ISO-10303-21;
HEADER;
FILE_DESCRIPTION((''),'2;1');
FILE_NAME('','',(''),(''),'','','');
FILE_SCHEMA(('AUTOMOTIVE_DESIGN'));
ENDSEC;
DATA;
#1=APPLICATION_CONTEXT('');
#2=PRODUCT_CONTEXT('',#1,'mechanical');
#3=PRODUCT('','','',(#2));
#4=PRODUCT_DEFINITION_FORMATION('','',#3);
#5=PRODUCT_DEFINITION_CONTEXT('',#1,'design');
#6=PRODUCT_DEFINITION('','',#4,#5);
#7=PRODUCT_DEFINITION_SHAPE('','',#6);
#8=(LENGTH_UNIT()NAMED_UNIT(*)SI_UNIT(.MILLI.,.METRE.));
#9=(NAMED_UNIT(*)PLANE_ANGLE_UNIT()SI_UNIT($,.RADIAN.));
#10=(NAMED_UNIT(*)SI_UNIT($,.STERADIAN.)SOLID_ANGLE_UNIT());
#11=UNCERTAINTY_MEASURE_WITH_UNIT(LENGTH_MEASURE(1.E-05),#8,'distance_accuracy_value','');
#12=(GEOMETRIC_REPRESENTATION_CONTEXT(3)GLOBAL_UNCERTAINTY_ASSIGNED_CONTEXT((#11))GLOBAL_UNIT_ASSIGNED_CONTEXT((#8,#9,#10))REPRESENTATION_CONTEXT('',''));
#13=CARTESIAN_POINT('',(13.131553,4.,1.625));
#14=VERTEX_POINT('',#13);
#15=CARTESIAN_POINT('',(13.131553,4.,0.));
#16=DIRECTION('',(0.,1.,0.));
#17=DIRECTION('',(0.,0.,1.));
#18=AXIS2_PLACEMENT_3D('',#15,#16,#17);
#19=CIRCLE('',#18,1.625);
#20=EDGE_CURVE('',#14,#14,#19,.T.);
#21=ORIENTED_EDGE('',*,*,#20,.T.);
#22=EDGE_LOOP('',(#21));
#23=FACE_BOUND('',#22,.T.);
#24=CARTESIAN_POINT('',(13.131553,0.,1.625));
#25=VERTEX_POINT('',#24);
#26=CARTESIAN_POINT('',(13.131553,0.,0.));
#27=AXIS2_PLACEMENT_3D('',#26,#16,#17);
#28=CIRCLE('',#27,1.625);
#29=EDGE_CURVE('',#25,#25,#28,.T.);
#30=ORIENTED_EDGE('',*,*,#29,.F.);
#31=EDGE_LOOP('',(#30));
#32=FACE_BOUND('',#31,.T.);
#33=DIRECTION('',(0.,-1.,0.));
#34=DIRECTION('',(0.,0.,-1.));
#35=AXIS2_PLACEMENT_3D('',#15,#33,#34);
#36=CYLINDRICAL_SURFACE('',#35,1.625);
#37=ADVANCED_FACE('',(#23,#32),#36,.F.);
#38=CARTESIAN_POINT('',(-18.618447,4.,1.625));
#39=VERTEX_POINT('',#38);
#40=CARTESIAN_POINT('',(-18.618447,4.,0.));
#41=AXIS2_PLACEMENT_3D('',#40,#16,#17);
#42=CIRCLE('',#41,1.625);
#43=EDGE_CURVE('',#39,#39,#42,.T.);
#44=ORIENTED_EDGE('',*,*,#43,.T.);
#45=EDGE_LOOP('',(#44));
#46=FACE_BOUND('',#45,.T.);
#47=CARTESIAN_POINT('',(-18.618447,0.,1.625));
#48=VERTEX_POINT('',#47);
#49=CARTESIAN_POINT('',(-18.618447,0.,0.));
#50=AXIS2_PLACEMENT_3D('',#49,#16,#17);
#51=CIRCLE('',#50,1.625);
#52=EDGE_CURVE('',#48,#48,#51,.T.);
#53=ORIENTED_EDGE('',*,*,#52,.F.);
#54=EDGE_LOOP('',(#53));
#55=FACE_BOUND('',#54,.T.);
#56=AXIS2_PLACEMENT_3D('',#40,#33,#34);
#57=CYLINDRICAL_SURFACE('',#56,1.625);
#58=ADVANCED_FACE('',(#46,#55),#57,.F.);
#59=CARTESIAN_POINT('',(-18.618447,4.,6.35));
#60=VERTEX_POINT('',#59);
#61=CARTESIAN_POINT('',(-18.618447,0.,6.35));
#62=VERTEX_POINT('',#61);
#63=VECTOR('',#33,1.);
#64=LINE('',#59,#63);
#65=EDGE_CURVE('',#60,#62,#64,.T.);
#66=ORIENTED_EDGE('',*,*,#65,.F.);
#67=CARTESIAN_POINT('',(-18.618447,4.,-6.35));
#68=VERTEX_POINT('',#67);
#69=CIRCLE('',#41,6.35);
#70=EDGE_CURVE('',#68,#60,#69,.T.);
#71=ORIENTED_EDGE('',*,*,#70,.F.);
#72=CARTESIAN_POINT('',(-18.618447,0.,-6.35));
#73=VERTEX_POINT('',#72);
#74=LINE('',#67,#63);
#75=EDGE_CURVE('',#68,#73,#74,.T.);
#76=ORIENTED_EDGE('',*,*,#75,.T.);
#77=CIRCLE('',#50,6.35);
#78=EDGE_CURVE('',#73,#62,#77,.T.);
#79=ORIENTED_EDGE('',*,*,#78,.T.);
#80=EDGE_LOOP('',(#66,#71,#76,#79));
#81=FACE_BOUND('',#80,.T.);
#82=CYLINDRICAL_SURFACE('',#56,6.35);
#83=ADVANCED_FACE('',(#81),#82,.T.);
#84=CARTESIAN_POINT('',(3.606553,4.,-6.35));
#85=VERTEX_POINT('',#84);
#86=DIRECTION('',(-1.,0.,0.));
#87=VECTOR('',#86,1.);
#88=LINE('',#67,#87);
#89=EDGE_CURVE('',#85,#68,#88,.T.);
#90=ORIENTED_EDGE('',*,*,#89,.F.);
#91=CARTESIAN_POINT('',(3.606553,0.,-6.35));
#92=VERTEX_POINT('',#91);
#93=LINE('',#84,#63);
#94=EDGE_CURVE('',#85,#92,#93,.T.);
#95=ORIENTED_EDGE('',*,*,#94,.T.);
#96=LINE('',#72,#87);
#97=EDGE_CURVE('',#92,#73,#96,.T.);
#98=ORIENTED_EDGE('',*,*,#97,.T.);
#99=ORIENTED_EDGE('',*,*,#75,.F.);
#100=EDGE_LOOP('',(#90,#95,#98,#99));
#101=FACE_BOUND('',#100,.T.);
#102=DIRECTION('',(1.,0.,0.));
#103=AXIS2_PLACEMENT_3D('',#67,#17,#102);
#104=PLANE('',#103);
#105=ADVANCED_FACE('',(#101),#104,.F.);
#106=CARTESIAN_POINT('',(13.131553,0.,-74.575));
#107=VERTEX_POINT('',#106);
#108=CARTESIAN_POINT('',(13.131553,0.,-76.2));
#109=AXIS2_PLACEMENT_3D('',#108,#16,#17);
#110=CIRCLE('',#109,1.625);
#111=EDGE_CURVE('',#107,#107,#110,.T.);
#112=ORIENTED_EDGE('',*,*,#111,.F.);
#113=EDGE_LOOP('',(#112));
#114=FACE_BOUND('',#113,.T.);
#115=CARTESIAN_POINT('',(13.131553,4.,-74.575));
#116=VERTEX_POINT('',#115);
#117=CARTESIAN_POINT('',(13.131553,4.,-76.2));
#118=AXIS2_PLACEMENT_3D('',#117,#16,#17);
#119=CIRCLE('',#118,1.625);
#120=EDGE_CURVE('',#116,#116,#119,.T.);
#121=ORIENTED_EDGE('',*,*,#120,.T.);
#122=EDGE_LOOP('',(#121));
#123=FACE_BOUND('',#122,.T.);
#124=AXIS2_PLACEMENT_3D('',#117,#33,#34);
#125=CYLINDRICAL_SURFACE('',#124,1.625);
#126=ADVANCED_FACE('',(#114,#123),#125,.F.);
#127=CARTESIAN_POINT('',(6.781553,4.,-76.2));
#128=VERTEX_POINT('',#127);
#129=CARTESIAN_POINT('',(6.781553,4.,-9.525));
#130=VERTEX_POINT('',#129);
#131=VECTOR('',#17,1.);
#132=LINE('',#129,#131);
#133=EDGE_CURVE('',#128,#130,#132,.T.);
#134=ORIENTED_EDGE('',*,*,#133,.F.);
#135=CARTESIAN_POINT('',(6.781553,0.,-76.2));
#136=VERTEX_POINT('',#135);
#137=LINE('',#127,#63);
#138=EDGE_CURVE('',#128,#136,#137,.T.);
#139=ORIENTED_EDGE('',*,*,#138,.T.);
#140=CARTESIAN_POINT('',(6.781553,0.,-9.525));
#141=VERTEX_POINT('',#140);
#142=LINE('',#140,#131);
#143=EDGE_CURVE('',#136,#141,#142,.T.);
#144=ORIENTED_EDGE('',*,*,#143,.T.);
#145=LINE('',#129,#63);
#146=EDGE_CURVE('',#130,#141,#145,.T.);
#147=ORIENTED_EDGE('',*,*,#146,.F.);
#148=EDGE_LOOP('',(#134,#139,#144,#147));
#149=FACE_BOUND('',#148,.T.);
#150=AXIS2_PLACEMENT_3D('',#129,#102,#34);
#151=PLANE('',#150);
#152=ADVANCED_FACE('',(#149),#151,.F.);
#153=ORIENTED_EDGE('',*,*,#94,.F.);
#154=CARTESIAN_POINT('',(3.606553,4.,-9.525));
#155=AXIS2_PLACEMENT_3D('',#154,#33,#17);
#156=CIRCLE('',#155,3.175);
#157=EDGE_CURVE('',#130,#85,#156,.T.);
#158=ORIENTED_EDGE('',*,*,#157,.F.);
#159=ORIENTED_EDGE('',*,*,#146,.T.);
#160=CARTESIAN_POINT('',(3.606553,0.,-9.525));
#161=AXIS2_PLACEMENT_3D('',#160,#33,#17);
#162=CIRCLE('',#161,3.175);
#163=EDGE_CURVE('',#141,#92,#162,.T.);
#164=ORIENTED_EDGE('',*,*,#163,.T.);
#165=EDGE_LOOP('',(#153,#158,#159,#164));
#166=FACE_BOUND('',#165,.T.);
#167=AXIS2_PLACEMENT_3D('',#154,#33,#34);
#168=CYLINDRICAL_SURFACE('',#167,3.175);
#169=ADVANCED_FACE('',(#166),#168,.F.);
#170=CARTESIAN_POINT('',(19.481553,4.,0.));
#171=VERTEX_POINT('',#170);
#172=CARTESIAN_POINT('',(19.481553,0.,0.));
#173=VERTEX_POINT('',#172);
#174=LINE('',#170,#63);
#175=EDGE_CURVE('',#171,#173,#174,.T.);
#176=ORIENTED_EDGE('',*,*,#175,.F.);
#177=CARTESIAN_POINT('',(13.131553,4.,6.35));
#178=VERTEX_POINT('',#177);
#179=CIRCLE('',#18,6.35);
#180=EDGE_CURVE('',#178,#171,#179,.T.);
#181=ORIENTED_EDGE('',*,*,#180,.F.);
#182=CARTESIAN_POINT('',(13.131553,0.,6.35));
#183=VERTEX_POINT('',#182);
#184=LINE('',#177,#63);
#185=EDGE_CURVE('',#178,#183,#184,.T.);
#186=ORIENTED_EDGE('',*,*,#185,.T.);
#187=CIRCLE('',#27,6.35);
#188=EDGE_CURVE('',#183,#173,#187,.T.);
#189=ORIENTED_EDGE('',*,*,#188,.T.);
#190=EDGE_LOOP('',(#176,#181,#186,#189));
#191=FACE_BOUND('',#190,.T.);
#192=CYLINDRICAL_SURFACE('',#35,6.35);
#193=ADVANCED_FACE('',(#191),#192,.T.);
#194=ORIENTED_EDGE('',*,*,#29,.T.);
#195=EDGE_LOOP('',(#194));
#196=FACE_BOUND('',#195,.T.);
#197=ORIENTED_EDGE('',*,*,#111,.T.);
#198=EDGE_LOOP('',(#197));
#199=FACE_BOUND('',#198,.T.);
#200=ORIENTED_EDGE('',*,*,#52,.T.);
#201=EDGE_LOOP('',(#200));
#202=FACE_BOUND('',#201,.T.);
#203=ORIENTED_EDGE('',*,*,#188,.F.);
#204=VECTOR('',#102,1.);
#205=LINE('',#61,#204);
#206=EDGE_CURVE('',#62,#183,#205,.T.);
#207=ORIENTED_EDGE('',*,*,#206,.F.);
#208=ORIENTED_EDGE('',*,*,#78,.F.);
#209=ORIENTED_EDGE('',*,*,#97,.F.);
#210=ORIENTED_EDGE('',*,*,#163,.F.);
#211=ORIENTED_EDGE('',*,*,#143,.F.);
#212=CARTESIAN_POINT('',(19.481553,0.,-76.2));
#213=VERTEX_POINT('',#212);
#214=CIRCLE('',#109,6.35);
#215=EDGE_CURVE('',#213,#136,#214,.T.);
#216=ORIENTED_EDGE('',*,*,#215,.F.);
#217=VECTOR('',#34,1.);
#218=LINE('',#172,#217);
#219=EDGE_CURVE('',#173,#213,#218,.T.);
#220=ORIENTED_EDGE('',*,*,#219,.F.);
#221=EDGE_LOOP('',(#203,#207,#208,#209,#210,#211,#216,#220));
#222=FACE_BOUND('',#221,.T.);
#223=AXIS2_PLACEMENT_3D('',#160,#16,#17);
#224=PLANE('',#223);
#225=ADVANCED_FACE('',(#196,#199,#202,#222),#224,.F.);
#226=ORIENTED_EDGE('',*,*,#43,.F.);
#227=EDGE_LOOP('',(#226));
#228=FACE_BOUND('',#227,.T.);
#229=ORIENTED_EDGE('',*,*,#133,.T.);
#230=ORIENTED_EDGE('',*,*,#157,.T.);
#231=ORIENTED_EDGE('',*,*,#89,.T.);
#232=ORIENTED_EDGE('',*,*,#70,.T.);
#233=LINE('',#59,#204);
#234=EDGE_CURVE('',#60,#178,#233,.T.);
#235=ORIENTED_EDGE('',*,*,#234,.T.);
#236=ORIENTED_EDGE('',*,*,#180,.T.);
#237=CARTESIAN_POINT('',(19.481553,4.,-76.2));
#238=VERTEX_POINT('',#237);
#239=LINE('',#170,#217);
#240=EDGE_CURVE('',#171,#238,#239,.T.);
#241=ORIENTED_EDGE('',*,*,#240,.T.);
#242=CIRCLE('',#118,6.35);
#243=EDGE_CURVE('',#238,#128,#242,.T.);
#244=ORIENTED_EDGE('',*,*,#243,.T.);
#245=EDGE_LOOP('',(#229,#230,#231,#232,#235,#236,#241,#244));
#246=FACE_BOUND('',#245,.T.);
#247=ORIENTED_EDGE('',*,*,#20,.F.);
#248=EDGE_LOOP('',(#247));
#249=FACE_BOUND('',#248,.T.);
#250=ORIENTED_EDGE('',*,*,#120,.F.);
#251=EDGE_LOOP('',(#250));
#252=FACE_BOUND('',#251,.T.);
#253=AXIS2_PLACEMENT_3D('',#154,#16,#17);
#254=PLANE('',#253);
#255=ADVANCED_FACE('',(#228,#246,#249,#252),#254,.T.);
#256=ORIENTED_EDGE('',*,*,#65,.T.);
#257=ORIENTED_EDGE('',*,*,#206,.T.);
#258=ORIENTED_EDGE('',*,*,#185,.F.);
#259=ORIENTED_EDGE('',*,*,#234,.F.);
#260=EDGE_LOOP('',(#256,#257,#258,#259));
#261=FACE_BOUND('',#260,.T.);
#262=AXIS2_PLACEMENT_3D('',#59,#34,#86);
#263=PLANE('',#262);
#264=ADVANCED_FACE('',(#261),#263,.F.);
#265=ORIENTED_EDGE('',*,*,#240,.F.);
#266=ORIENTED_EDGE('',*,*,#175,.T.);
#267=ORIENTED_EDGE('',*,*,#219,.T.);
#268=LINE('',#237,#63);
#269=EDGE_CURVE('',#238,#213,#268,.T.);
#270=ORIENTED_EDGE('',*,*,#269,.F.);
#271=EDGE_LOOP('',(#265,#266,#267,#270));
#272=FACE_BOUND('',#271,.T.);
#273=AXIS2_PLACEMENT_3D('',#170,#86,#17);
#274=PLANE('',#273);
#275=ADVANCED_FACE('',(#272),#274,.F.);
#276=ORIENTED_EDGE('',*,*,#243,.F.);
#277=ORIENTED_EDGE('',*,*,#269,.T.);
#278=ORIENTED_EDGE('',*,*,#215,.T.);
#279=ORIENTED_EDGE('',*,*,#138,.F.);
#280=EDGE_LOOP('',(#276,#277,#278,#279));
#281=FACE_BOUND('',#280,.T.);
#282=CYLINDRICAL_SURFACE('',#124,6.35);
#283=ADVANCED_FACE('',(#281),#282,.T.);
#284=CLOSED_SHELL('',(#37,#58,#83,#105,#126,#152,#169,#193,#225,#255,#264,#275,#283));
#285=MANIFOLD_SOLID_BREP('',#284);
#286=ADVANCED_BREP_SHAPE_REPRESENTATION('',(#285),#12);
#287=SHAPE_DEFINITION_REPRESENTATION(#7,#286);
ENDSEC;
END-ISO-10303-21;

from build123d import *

# Parameters (mm, degrees)
SKETCH1_R           = 1.625
BOSS_EXTRUDE1_DEPTH = 4


with BuildPart() as part:
    # Sketch1 → Boss-Extrude1 (new body)
    with BuildSketch(Plane(origin=(0, 0, 0), x_dir=(1, 0, 0), z_dir=(0, 1, 0))):
        with BuildLine():
            Line((-18.618446602, -6.35), (13.131553398, -6.35))
            ThreePointArc((13.131553398, -6.35), (17.621681459, -4.490128061), (19.481553398, 0))
            Line((19.481553398, 0), (19.481553398, 76.2))
            ThreePointArc((19.481553398, 76.2), (13.131553398, 82.55), (6.781553398, 76.2))
            Line((6.781553398, 76.2), (6.781553398, 9.525))
            ThreePointArc((6.781553398, 9.525), (5.851617428, 7.27993597), (3.606553398, 6.35))
            Line((3.606553398, 6.35), (-18.618446602, 6.35))
            ThreePointArc((-18.618446602, 6.35), (-24.968446602, 0), (-18.618446602, -6.35))
        make_face()
        with Locations((-18.618446602, 0)):
            Circle(SKETCH1_R, mode=Mode.SUBTRACT)
        with Locations((13.131553398, 0)):
            Circle(SKETCH1_R, mode=Mode.SUBTRACT)
        with Locations((13.131553398, 76.2)):
            Circle(SKETCH1_R, mode=Mode.SUBTRACT)
    extrude(amount=BOSS_EXTRUDE1_DEPTH)


solid = part.part
